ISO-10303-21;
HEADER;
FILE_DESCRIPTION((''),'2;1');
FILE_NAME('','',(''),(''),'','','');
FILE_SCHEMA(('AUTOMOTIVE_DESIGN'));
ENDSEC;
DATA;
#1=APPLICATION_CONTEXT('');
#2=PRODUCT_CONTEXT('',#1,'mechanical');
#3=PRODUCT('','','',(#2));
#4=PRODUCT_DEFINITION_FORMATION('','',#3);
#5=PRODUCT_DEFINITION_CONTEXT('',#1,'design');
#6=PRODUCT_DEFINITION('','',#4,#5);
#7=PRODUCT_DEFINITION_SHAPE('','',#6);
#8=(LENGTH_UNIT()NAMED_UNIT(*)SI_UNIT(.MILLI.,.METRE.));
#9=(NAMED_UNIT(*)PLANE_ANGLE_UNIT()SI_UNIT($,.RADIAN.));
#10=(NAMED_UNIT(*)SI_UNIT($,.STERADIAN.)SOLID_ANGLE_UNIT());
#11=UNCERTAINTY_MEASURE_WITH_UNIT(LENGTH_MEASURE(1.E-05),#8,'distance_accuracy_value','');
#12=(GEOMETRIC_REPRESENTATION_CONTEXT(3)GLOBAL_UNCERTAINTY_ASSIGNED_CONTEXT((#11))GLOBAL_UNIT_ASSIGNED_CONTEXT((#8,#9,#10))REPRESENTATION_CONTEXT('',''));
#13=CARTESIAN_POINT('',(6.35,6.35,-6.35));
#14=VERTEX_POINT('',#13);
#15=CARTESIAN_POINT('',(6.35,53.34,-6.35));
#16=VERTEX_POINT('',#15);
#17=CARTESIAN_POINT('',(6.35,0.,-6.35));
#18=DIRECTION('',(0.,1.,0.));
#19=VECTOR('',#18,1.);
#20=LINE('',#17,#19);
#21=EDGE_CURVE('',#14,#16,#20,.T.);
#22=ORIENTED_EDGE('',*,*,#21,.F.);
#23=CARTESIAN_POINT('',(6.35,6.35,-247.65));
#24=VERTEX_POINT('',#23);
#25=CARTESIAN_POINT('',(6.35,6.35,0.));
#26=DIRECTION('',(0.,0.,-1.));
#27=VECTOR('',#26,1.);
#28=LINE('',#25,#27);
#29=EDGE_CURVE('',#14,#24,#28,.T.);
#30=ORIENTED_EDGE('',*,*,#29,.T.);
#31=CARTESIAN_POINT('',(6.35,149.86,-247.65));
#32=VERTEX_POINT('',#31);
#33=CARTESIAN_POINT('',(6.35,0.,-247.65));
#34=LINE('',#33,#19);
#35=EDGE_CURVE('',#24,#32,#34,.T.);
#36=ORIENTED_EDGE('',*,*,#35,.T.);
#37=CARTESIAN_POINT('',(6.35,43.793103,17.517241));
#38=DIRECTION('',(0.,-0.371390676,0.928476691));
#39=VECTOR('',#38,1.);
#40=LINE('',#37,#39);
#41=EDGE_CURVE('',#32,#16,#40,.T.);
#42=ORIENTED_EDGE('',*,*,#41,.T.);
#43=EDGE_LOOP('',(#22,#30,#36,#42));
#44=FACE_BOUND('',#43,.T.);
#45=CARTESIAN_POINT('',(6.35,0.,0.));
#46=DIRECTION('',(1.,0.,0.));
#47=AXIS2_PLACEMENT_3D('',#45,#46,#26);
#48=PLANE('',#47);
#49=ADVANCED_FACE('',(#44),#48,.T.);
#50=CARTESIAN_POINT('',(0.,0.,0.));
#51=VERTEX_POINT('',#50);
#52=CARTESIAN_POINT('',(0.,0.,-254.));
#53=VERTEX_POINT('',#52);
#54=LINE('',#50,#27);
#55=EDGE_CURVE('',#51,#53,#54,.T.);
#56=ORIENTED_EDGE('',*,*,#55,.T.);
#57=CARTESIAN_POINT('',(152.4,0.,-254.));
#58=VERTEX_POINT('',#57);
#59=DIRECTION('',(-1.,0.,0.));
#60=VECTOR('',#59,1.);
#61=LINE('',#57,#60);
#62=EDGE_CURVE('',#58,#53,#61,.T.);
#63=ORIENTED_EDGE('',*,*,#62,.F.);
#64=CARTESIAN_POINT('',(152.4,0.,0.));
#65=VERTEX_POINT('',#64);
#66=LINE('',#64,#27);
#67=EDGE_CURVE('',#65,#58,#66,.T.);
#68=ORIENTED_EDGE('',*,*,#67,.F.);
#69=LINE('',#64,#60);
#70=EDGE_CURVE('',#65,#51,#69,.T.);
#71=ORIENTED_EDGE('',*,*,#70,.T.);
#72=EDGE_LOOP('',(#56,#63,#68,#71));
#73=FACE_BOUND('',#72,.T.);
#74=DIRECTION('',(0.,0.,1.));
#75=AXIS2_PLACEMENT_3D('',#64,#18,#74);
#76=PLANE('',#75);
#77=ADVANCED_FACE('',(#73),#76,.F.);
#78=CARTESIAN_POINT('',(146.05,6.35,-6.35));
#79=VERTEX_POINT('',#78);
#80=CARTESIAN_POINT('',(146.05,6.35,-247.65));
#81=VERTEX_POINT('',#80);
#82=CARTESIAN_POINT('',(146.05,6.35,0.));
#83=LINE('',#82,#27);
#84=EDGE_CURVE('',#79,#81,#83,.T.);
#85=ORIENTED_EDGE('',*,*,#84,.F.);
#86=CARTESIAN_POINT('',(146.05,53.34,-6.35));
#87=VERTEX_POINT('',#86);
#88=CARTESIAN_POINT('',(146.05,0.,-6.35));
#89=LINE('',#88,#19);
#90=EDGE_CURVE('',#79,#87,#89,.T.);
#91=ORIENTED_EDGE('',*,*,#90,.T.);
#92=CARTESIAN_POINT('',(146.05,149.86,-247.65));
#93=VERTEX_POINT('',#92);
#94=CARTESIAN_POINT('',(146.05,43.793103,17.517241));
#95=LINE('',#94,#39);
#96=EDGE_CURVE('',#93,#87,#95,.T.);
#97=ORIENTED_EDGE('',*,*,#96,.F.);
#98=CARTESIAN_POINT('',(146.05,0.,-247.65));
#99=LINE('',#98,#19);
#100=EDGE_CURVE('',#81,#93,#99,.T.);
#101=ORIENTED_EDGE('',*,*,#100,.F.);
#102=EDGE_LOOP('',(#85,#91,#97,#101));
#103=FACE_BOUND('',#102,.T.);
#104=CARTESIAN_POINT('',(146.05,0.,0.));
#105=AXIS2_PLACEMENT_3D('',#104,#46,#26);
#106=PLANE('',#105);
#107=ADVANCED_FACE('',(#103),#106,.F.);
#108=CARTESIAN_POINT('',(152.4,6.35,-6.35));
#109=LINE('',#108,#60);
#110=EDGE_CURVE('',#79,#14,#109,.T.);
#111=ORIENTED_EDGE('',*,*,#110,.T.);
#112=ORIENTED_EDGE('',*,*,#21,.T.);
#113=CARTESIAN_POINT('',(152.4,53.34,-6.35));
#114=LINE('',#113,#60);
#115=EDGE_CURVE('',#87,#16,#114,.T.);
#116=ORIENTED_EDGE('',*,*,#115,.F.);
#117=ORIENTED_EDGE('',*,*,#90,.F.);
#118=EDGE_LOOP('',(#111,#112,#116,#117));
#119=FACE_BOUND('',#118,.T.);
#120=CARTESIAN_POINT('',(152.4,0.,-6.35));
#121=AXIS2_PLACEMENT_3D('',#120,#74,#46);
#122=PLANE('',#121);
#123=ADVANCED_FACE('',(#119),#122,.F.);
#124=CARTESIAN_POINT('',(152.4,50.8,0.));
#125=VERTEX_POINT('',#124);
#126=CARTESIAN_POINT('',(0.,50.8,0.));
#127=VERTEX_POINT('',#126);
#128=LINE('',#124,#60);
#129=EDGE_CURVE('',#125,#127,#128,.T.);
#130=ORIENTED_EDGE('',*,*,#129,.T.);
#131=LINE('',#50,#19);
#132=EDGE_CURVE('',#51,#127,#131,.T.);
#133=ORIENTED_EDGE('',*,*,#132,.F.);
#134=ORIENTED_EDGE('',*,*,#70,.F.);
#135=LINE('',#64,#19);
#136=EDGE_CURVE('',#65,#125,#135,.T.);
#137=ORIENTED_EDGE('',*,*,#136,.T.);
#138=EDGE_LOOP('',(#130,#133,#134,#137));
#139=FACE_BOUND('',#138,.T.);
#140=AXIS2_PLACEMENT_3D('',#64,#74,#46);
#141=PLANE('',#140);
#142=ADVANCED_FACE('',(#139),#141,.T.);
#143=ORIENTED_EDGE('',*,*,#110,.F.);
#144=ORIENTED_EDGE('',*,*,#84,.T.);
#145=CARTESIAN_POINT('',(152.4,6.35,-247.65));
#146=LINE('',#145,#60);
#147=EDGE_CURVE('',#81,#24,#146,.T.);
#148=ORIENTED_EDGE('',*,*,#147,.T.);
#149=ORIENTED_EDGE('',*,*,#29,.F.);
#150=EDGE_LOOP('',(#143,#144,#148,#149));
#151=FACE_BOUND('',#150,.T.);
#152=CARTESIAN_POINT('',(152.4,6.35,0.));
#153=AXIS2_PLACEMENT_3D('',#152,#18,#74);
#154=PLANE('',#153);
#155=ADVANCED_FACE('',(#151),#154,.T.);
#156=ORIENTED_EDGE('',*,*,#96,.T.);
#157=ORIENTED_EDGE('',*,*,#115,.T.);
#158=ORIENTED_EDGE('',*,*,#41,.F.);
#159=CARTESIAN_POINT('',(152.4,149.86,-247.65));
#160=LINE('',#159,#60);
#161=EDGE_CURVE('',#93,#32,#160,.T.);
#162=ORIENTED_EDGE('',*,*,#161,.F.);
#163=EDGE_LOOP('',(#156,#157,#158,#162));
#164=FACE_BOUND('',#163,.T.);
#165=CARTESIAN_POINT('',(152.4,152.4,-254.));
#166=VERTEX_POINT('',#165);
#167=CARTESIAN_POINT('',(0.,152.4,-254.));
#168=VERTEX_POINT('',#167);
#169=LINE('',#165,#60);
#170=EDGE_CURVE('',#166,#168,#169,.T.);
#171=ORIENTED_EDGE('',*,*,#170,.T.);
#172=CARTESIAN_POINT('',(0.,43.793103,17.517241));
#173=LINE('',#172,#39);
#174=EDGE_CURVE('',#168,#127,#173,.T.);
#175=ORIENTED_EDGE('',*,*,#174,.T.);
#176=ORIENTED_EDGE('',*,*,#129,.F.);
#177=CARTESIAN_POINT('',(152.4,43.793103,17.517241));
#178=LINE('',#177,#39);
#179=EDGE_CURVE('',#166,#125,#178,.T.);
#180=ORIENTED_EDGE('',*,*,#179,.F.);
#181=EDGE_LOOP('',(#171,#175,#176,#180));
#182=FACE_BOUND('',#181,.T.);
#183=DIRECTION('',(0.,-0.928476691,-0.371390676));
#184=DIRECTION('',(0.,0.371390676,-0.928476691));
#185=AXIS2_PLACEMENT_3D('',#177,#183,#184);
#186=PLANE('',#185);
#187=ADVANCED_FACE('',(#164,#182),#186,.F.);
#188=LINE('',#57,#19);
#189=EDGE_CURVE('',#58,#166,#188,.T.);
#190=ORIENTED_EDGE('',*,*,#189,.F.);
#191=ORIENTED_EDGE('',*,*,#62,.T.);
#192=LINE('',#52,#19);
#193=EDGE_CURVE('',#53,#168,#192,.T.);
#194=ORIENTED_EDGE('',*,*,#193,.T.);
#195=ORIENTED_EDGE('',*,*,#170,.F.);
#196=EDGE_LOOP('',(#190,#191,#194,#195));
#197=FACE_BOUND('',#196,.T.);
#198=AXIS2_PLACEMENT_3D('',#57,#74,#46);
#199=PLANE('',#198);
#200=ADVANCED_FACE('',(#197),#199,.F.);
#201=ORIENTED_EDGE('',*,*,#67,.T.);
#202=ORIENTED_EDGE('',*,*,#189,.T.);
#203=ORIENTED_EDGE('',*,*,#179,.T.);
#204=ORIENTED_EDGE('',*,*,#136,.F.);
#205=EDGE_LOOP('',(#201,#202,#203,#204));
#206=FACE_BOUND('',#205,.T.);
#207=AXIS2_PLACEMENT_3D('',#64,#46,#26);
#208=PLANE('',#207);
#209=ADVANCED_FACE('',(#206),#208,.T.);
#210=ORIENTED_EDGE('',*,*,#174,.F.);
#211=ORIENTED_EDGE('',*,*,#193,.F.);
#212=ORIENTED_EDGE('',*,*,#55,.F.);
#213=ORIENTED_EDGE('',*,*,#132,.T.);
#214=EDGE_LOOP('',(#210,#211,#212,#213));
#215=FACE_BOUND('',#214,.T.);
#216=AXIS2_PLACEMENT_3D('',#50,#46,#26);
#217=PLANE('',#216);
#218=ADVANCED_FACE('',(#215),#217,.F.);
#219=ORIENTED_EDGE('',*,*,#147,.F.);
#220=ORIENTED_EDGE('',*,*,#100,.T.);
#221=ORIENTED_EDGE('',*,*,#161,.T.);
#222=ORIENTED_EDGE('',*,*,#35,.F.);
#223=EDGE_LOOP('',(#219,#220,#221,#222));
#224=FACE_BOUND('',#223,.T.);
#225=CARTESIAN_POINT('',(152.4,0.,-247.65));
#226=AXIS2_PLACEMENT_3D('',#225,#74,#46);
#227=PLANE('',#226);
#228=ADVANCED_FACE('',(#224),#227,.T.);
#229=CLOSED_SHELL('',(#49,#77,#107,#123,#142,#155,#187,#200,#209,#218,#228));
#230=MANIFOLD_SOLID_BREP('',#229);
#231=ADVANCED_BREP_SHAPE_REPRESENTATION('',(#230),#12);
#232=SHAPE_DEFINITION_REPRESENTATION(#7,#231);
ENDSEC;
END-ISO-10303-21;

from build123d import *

# Parameters (mm, degrees)
BOSS_EXTRUDE1_DEPTH = 152.4
SHELL1_T            = -6.35


with BuildPart() as part:
    # Sketch1 → Boss-Extrude1 (new body)
    with BuildSketch(Plane(origin=(0, 0, 0), x_dir=(0, 0, -1), z_dir=(1, 0, 0))):
        Polygon((254, 0), (254, 152.4), (0, 50.8), (0, 0), align=None)
    extrude(amount=BOSS_EXTRUDE1_DEPTH)

    # Shell1
    shell1_openings = [part.faces().sort_by_distance(p)[0] for p in [
        (76.2, 101.6, -127),
    ]]
    offset(amount=SHELL1_T, openings=shell1_openings, kind=Kind.INTERSECTION)


solid = part.part
